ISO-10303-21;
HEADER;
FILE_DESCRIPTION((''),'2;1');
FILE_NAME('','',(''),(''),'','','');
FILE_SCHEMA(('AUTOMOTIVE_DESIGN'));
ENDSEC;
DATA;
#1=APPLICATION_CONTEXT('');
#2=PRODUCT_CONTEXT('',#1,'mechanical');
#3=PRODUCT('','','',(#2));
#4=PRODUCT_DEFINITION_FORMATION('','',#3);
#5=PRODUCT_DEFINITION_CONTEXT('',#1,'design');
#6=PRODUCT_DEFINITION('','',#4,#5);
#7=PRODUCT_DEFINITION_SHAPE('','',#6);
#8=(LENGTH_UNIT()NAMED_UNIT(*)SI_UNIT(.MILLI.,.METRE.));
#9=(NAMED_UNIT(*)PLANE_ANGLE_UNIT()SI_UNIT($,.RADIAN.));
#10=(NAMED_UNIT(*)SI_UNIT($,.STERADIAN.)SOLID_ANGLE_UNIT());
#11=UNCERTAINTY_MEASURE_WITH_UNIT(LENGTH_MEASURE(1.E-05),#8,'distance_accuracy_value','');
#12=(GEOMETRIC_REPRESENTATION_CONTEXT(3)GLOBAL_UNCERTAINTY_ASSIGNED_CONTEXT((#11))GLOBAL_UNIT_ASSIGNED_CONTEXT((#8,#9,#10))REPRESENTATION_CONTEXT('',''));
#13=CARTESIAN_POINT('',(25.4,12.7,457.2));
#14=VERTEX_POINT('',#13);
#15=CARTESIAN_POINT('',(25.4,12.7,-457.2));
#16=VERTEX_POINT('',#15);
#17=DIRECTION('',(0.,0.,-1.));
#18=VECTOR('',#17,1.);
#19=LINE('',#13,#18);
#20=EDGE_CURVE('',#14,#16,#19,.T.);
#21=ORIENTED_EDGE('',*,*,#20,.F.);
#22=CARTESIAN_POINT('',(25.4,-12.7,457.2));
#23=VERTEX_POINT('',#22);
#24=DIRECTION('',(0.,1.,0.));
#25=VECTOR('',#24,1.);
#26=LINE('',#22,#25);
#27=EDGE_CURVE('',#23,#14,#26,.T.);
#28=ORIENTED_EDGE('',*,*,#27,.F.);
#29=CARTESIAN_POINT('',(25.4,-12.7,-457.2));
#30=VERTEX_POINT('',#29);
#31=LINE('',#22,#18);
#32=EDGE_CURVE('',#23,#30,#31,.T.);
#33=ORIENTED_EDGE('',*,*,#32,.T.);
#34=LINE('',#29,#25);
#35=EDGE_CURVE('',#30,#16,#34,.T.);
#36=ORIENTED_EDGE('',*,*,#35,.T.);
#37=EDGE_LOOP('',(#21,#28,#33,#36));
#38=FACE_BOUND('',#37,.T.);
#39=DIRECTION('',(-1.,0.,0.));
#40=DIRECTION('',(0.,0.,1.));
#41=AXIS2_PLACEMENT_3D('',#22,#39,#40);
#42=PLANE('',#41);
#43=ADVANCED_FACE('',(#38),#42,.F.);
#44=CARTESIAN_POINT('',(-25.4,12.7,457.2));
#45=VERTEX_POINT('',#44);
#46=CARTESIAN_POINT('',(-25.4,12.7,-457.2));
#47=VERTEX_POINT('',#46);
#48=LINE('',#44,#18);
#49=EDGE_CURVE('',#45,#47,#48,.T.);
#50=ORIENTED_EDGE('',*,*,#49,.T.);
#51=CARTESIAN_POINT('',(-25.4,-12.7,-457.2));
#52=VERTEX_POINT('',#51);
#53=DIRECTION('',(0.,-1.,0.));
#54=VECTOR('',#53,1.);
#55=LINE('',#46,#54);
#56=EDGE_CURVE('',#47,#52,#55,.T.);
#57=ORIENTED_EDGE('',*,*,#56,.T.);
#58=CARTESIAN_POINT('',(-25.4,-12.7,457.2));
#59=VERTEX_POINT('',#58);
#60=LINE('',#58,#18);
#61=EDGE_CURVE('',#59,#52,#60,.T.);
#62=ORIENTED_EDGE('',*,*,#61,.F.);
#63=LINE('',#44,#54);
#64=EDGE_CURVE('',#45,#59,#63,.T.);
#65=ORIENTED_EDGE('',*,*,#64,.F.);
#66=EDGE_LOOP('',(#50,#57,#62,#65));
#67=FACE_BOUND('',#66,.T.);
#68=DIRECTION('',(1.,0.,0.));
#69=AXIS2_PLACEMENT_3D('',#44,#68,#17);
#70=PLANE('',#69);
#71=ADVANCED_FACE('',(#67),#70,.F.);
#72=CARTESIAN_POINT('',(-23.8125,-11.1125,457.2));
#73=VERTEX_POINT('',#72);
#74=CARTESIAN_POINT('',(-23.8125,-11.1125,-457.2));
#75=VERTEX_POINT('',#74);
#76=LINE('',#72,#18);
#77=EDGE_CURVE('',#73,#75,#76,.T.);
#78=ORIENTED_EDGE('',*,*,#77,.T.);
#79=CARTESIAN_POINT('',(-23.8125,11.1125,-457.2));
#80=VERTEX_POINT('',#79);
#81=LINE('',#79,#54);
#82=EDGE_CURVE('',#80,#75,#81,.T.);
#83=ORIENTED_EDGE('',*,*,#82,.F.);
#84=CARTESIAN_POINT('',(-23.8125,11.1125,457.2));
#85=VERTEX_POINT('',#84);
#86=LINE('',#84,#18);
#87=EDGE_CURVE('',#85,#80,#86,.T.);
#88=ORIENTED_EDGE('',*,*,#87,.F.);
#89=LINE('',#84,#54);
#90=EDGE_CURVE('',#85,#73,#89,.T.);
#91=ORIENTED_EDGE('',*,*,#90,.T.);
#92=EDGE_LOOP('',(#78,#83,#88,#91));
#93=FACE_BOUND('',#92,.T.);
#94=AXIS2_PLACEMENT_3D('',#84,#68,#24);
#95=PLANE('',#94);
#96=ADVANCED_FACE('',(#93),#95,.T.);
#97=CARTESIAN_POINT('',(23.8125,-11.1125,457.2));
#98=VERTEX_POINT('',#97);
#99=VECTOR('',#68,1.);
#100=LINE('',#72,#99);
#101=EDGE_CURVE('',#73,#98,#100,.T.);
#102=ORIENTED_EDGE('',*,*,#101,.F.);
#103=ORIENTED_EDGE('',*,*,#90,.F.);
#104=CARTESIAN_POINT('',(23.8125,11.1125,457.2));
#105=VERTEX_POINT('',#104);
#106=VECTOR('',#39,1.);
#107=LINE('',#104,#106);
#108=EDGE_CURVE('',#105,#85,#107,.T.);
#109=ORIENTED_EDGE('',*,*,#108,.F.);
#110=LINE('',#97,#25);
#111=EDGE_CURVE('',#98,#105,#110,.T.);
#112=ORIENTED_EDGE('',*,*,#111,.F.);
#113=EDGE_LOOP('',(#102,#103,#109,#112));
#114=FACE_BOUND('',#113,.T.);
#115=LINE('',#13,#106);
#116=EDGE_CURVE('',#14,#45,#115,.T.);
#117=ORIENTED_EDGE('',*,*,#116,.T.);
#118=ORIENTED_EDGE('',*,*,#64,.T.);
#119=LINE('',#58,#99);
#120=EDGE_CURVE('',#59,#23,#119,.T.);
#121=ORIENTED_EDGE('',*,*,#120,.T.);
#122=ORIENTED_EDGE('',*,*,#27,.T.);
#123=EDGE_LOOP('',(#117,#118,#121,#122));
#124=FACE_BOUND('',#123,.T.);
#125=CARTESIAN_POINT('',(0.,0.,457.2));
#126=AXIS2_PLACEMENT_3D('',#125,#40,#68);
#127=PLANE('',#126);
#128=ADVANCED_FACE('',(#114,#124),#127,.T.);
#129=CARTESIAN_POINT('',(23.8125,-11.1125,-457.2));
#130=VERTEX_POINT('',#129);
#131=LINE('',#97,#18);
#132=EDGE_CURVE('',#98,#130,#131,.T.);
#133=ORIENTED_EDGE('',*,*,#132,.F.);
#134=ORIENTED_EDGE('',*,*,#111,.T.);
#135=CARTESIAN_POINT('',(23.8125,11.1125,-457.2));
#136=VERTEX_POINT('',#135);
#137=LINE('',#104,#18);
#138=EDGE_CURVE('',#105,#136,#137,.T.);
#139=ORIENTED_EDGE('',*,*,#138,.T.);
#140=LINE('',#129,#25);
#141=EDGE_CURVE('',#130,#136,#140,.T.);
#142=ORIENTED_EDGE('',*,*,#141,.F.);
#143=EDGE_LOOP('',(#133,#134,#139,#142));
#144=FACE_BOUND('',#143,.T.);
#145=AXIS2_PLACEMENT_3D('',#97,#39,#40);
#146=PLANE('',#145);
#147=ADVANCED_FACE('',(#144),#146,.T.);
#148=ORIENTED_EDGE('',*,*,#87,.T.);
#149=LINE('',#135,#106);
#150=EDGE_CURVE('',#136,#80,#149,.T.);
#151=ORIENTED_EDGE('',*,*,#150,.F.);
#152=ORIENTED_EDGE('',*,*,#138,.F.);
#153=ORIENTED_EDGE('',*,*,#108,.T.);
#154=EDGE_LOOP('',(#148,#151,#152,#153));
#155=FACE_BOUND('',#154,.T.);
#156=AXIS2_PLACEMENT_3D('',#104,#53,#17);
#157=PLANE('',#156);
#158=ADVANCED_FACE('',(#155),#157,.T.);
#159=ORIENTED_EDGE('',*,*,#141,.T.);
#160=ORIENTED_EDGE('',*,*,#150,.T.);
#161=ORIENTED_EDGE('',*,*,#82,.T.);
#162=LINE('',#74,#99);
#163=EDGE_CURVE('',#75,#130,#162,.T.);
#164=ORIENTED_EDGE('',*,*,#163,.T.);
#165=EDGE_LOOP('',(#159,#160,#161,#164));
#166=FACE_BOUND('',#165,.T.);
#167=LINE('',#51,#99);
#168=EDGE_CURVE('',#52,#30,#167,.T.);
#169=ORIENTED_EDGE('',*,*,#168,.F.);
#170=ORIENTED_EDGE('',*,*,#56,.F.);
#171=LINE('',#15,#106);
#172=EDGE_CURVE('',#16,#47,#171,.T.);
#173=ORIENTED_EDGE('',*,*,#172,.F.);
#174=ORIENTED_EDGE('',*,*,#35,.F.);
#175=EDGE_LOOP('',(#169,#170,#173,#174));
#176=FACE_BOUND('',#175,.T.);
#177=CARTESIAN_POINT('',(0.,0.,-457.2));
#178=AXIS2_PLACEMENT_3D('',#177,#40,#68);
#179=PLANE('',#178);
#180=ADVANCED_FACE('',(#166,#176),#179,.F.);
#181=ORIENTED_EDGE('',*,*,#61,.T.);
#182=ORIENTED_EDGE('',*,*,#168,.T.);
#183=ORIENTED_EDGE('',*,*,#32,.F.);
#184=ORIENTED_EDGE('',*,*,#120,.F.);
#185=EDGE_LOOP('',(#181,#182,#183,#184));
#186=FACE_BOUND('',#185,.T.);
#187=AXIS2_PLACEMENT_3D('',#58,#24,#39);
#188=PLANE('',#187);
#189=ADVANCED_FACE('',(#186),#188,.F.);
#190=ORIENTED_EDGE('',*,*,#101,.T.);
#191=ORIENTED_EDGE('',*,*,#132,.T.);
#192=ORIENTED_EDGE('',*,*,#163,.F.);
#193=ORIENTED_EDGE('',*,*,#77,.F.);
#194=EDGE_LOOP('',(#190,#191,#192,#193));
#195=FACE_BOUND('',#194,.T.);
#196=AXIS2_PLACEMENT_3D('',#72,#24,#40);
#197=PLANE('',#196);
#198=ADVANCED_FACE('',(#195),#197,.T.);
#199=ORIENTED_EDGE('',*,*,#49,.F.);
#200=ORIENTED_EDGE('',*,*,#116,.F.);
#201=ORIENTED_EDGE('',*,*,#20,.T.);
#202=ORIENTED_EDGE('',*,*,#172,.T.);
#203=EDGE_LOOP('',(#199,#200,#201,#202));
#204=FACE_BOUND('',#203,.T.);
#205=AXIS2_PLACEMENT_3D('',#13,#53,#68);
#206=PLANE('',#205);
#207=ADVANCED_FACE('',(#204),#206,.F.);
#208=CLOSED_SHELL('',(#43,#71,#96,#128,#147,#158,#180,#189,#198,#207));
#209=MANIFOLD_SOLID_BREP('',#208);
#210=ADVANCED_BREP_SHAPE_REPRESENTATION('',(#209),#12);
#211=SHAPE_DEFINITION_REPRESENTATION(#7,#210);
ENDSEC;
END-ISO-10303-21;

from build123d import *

# Parameters (mm, degrees)
BOSS_EXTRUDE1_DEPTH      = 457.2
BOSS_EXTRUDE1_DEPTH_BACK = 457.2
SKETCH3_W                = 50.8
SKETCH3_H                = 25.4
SKETCH3_W_2              = 47.625
SKETCH3_H_2              = 22.225


with BuildPart() as part:
    # Sketch3 → Boss-Extrude1 (new, two sides: drawn at the far end of the back side and taken through both)
    with BuildSketch(Plane.XY.offset(-BOSS_EXTRUDE1_DEPTH_BACK)):
        Rectangle(SKETCH3_W, SKETCH3_H)
        Rectangle(SKETCH3_W_2, SKETCH3_H_2, mode=Mode.SUBTRACT)
    extrude(amount=BOSS_EXTRUDE1_DEPTH + BOSS_EXTRUDE1_DEPTH_BACK)


solid = part.part
